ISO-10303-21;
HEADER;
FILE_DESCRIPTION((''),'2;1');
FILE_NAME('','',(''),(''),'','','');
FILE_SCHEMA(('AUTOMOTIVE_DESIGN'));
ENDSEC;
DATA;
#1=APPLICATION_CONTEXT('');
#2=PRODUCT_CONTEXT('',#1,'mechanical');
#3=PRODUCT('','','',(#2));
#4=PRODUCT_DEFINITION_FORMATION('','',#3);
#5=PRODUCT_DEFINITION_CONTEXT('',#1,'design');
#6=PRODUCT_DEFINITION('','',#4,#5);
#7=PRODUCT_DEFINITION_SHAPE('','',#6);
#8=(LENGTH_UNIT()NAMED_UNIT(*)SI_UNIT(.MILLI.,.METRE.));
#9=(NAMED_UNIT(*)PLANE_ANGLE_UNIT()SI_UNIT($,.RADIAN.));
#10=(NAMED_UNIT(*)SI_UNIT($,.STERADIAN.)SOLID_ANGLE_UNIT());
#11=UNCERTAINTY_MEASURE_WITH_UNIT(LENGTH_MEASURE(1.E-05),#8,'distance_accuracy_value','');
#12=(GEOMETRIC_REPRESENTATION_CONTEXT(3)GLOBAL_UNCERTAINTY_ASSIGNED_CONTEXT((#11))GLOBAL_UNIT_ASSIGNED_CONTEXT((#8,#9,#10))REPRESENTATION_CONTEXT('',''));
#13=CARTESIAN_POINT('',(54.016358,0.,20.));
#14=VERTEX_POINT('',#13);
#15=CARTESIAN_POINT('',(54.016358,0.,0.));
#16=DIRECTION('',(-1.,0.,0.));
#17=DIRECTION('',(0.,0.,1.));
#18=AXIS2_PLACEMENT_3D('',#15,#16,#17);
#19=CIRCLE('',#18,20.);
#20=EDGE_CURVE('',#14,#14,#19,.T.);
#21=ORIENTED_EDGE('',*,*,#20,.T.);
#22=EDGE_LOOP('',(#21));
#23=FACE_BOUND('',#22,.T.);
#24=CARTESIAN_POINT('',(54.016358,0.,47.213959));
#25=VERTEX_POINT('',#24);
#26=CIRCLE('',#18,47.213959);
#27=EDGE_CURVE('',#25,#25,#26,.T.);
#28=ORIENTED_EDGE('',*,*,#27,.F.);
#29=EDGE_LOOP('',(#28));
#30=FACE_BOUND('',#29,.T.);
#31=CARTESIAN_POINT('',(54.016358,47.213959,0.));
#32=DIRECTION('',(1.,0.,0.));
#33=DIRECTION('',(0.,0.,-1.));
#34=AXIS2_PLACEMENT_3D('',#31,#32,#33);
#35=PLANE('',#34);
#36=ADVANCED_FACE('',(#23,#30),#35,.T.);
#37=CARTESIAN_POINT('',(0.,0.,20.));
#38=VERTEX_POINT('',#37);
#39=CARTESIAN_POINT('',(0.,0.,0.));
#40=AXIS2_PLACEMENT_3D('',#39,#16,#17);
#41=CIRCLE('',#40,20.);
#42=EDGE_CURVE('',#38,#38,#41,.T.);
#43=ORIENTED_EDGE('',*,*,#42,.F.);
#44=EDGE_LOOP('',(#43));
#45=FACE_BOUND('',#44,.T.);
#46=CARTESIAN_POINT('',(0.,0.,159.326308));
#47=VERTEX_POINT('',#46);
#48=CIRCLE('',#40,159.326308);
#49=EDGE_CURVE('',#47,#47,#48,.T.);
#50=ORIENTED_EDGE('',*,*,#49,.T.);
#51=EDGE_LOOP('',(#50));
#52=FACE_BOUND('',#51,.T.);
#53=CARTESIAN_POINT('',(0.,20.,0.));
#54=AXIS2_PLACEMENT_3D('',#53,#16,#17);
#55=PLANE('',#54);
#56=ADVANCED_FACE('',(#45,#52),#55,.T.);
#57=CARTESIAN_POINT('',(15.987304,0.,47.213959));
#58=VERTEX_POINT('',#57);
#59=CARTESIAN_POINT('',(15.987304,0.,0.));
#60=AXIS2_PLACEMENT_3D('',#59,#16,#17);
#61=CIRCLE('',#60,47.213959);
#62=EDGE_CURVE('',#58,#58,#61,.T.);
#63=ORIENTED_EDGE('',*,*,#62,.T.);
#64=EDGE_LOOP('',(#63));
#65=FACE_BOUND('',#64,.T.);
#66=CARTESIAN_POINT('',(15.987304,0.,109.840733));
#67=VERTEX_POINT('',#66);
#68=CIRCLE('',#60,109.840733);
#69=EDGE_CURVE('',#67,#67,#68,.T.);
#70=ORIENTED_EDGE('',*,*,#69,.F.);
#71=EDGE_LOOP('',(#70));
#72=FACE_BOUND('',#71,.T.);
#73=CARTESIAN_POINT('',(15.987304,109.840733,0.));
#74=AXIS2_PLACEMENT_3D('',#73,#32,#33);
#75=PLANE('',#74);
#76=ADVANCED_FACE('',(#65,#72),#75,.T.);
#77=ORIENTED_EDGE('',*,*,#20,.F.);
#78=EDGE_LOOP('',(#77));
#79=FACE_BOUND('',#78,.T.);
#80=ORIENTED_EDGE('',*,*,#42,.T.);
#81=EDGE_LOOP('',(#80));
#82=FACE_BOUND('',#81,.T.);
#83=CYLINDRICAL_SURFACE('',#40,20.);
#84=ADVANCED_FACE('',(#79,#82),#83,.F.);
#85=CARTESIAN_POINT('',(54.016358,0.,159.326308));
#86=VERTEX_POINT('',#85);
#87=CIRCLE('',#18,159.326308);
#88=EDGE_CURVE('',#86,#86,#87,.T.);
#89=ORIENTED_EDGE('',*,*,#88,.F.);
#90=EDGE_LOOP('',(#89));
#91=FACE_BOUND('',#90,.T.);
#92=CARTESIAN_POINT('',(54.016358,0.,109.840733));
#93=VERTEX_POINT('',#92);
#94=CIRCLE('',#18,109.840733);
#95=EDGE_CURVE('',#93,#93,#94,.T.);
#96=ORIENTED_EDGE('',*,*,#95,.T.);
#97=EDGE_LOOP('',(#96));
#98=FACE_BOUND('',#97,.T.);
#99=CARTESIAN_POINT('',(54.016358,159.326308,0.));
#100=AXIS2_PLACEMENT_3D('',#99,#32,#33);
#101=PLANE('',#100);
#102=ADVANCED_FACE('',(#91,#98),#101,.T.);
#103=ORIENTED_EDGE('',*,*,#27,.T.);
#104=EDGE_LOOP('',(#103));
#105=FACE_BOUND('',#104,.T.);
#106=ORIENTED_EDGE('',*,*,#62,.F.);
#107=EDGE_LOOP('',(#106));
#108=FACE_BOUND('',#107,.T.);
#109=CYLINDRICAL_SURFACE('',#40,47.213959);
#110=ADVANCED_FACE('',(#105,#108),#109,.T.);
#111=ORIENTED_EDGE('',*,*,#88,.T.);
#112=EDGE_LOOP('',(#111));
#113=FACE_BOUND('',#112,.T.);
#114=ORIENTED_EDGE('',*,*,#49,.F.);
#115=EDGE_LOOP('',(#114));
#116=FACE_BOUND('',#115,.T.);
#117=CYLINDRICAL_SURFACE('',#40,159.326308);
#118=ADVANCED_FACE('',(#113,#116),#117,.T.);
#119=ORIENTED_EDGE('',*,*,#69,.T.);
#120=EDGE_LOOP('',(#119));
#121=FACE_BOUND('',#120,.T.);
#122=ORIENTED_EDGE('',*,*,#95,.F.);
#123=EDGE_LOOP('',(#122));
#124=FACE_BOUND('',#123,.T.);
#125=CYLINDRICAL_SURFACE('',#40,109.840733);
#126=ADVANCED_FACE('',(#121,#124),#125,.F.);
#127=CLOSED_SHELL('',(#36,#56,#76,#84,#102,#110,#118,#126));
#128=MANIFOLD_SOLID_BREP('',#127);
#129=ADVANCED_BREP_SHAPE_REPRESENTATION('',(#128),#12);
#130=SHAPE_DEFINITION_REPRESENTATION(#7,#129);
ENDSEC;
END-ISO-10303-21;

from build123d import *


with BuildPart() as part:
    # Sketch1 → Revolve1 (revolve)
    with BuildSketch(Plane.XY, mode=Mode.PRIVATE) as revolve1_sk:
        Polygon((0, 159.326308126), (54.016357681, 159.326308126), (54.016357681, 109.840732834), (15.987304294, 109.840732834), (15.987304294, 47.21395863), (54.016357681, 47.21395863), (54.016357681, 20), (0, 20), align=None)
    revolve(revolve1_sk.sketch.rotate(Axis((0, 0, 0), (1, 0, 0)), 90), axis=Axis((0, 0, 0), (1, 0, 0)))


solid = part.part
